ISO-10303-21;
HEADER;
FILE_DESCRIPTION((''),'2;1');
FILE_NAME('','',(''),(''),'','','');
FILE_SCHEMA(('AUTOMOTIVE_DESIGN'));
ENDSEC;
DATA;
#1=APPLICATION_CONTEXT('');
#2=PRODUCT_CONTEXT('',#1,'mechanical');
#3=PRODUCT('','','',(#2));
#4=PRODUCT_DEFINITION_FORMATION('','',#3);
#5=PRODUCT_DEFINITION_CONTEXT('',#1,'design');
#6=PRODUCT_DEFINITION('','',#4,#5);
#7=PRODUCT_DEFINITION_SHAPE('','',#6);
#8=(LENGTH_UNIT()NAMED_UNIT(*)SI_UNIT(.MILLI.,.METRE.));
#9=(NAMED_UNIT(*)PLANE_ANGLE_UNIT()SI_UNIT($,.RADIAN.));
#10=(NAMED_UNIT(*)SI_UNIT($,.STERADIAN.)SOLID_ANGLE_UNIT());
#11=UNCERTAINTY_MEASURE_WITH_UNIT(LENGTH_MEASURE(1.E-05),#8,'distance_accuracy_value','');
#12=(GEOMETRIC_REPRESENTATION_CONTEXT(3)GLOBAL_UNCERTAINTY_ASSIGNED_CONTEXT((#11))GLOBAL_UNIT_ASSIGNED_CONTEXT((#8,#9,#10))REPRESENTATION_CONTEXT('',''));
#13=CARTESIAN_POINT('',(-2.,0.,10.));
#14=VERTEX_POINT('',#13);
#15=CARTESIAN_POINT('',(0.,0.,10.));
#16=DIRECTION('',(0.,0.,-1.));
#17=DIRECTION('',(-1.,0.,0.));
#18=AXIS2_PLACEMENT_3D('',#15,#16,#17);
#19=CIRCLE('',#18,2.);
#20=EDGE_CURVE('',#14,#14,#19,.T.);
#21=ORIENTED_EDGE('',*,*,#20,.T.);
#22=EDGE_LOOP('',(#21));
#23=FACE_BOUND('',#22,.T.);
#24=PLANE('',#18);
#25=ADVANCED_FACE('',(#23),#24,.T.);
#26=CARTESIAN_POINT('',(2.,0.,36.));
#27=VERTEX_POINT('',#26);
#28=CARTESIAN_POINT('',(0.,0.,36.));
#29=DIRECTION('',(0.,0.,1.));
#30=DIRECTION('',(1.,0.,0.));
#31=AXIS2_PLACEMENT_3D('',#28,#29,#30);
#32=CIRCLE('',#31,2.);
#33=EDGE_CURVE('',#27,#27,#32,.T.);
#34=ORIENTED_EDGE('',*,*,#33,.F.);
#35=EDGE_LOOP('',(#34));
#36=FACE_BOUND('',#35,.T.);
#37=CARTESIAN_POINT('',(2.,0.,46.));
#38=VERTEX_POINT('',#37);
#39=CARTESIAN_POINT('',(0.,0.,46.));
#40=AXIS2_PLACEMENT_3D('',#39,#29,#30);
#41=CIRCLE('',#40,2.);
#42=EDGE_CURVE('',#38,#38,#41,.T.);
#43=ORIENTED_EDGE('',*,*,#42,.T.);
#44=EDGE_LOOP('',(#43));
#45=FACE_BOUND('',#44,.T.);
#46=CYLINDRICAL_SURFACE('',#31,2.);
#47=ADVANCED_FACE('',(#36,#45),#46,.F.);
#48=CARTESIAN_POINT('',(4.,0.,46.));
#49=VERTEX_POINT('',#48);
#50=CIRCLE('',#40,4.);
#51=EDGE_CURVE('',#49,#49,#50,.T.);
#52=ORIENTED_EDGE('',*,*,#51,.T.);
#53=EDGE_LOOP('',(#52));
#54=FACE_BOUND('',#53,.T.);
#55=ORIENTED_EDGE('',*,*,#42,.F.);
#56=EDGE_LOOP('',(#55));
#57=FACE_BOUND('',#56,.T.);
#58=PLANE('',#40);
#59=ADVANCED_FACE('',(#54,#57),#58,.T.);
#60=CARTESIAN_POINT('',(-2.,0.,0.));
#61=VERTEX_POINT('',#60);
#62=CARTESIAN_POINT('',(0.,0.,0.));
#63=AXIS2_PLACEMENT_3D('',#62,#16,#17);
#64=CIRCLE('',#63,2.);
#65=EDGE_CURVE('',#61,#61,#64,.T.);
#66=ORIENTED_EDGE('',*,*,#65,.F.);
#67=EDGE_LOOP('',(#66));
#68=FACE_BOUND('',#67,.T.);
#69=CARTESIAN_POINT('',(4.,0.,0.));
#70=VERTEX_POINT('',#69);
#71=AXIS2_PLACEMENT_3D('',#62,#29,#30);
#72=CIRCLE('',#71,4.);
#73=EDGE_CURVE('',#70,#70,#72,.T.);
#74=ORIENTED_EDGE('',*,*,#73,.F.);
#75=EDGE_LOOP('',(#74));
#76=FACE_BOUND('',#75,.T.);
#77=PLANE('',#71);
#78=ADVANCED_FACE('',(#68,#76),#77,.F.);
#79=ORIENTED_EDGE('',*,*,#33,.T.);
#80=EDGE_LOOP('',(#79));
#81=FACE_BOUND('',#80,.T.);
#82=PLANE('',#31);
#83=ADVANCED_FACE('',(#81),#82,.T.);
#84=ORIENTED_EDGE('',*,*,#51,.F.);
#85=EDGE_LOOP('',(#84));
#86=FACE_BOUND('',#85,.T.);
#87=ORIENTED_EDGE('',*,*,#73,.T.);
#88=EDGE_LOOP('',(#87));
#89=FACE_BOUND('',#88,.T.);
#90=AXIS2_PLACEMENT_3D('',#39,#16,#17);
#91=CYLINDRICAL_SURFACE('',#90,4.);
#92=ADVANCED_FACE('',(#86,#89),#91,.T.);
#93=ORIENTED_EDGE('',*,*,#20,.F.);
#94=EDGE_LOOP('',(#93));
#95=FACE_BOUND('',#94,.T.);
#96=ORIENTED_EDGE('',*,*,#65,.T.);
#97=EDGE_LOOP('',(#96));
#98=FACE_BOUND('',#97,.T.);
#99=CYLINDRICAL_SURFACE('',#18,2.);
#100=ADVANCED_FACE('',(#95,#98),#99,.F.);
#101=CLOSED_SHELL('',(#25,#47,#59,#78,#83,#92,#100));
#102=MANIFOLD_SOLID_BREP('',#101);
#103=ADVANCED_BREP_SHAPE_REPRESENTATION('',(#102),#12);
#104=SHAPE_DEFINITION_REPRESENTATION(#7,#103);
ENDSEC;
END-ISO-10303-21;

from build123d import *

# Parameters (mm, degrees)
ESQUISSE1_R      = 4
EXTRUSION2_DEPTH = 46
ESQUISSE2_R      = 2
EXTRUSION3_DEPTH = 10
ESQUISSE3_R      = 2
EXTRUSION4_DEPTH = 10


with BuildPart() as part:
    # Esquisse1 → Extrusion2 (new body)
    with BuildSketch(Plane.XY):
        Circle(ESQUISSE1_R)
    extrude(amount=EXTRUSION2_DEPTH)

    # Esquisse2 → Extrusion3 (cut)
    with BuildSketch(Plane.XY.offset(46)):
        Circle(ESQUISSE2_R)
    extrude(amount=-EXTRUSION3_DEPTH, mode=Mode.SUBTRACT)

    # Esquisse3 → Extrusion4 (cut)
    with BuildSketch(Plane(origin=(0, 0, 0), x_dir=(-1, 0, 0), z_dir=(0, 0, -1))):
        Circle(ESQUISSE3_R)
    extrude(amount=-EXTRUSION4_DEPTH, mode=Mode.SUBTRACT)


solid = part.part
